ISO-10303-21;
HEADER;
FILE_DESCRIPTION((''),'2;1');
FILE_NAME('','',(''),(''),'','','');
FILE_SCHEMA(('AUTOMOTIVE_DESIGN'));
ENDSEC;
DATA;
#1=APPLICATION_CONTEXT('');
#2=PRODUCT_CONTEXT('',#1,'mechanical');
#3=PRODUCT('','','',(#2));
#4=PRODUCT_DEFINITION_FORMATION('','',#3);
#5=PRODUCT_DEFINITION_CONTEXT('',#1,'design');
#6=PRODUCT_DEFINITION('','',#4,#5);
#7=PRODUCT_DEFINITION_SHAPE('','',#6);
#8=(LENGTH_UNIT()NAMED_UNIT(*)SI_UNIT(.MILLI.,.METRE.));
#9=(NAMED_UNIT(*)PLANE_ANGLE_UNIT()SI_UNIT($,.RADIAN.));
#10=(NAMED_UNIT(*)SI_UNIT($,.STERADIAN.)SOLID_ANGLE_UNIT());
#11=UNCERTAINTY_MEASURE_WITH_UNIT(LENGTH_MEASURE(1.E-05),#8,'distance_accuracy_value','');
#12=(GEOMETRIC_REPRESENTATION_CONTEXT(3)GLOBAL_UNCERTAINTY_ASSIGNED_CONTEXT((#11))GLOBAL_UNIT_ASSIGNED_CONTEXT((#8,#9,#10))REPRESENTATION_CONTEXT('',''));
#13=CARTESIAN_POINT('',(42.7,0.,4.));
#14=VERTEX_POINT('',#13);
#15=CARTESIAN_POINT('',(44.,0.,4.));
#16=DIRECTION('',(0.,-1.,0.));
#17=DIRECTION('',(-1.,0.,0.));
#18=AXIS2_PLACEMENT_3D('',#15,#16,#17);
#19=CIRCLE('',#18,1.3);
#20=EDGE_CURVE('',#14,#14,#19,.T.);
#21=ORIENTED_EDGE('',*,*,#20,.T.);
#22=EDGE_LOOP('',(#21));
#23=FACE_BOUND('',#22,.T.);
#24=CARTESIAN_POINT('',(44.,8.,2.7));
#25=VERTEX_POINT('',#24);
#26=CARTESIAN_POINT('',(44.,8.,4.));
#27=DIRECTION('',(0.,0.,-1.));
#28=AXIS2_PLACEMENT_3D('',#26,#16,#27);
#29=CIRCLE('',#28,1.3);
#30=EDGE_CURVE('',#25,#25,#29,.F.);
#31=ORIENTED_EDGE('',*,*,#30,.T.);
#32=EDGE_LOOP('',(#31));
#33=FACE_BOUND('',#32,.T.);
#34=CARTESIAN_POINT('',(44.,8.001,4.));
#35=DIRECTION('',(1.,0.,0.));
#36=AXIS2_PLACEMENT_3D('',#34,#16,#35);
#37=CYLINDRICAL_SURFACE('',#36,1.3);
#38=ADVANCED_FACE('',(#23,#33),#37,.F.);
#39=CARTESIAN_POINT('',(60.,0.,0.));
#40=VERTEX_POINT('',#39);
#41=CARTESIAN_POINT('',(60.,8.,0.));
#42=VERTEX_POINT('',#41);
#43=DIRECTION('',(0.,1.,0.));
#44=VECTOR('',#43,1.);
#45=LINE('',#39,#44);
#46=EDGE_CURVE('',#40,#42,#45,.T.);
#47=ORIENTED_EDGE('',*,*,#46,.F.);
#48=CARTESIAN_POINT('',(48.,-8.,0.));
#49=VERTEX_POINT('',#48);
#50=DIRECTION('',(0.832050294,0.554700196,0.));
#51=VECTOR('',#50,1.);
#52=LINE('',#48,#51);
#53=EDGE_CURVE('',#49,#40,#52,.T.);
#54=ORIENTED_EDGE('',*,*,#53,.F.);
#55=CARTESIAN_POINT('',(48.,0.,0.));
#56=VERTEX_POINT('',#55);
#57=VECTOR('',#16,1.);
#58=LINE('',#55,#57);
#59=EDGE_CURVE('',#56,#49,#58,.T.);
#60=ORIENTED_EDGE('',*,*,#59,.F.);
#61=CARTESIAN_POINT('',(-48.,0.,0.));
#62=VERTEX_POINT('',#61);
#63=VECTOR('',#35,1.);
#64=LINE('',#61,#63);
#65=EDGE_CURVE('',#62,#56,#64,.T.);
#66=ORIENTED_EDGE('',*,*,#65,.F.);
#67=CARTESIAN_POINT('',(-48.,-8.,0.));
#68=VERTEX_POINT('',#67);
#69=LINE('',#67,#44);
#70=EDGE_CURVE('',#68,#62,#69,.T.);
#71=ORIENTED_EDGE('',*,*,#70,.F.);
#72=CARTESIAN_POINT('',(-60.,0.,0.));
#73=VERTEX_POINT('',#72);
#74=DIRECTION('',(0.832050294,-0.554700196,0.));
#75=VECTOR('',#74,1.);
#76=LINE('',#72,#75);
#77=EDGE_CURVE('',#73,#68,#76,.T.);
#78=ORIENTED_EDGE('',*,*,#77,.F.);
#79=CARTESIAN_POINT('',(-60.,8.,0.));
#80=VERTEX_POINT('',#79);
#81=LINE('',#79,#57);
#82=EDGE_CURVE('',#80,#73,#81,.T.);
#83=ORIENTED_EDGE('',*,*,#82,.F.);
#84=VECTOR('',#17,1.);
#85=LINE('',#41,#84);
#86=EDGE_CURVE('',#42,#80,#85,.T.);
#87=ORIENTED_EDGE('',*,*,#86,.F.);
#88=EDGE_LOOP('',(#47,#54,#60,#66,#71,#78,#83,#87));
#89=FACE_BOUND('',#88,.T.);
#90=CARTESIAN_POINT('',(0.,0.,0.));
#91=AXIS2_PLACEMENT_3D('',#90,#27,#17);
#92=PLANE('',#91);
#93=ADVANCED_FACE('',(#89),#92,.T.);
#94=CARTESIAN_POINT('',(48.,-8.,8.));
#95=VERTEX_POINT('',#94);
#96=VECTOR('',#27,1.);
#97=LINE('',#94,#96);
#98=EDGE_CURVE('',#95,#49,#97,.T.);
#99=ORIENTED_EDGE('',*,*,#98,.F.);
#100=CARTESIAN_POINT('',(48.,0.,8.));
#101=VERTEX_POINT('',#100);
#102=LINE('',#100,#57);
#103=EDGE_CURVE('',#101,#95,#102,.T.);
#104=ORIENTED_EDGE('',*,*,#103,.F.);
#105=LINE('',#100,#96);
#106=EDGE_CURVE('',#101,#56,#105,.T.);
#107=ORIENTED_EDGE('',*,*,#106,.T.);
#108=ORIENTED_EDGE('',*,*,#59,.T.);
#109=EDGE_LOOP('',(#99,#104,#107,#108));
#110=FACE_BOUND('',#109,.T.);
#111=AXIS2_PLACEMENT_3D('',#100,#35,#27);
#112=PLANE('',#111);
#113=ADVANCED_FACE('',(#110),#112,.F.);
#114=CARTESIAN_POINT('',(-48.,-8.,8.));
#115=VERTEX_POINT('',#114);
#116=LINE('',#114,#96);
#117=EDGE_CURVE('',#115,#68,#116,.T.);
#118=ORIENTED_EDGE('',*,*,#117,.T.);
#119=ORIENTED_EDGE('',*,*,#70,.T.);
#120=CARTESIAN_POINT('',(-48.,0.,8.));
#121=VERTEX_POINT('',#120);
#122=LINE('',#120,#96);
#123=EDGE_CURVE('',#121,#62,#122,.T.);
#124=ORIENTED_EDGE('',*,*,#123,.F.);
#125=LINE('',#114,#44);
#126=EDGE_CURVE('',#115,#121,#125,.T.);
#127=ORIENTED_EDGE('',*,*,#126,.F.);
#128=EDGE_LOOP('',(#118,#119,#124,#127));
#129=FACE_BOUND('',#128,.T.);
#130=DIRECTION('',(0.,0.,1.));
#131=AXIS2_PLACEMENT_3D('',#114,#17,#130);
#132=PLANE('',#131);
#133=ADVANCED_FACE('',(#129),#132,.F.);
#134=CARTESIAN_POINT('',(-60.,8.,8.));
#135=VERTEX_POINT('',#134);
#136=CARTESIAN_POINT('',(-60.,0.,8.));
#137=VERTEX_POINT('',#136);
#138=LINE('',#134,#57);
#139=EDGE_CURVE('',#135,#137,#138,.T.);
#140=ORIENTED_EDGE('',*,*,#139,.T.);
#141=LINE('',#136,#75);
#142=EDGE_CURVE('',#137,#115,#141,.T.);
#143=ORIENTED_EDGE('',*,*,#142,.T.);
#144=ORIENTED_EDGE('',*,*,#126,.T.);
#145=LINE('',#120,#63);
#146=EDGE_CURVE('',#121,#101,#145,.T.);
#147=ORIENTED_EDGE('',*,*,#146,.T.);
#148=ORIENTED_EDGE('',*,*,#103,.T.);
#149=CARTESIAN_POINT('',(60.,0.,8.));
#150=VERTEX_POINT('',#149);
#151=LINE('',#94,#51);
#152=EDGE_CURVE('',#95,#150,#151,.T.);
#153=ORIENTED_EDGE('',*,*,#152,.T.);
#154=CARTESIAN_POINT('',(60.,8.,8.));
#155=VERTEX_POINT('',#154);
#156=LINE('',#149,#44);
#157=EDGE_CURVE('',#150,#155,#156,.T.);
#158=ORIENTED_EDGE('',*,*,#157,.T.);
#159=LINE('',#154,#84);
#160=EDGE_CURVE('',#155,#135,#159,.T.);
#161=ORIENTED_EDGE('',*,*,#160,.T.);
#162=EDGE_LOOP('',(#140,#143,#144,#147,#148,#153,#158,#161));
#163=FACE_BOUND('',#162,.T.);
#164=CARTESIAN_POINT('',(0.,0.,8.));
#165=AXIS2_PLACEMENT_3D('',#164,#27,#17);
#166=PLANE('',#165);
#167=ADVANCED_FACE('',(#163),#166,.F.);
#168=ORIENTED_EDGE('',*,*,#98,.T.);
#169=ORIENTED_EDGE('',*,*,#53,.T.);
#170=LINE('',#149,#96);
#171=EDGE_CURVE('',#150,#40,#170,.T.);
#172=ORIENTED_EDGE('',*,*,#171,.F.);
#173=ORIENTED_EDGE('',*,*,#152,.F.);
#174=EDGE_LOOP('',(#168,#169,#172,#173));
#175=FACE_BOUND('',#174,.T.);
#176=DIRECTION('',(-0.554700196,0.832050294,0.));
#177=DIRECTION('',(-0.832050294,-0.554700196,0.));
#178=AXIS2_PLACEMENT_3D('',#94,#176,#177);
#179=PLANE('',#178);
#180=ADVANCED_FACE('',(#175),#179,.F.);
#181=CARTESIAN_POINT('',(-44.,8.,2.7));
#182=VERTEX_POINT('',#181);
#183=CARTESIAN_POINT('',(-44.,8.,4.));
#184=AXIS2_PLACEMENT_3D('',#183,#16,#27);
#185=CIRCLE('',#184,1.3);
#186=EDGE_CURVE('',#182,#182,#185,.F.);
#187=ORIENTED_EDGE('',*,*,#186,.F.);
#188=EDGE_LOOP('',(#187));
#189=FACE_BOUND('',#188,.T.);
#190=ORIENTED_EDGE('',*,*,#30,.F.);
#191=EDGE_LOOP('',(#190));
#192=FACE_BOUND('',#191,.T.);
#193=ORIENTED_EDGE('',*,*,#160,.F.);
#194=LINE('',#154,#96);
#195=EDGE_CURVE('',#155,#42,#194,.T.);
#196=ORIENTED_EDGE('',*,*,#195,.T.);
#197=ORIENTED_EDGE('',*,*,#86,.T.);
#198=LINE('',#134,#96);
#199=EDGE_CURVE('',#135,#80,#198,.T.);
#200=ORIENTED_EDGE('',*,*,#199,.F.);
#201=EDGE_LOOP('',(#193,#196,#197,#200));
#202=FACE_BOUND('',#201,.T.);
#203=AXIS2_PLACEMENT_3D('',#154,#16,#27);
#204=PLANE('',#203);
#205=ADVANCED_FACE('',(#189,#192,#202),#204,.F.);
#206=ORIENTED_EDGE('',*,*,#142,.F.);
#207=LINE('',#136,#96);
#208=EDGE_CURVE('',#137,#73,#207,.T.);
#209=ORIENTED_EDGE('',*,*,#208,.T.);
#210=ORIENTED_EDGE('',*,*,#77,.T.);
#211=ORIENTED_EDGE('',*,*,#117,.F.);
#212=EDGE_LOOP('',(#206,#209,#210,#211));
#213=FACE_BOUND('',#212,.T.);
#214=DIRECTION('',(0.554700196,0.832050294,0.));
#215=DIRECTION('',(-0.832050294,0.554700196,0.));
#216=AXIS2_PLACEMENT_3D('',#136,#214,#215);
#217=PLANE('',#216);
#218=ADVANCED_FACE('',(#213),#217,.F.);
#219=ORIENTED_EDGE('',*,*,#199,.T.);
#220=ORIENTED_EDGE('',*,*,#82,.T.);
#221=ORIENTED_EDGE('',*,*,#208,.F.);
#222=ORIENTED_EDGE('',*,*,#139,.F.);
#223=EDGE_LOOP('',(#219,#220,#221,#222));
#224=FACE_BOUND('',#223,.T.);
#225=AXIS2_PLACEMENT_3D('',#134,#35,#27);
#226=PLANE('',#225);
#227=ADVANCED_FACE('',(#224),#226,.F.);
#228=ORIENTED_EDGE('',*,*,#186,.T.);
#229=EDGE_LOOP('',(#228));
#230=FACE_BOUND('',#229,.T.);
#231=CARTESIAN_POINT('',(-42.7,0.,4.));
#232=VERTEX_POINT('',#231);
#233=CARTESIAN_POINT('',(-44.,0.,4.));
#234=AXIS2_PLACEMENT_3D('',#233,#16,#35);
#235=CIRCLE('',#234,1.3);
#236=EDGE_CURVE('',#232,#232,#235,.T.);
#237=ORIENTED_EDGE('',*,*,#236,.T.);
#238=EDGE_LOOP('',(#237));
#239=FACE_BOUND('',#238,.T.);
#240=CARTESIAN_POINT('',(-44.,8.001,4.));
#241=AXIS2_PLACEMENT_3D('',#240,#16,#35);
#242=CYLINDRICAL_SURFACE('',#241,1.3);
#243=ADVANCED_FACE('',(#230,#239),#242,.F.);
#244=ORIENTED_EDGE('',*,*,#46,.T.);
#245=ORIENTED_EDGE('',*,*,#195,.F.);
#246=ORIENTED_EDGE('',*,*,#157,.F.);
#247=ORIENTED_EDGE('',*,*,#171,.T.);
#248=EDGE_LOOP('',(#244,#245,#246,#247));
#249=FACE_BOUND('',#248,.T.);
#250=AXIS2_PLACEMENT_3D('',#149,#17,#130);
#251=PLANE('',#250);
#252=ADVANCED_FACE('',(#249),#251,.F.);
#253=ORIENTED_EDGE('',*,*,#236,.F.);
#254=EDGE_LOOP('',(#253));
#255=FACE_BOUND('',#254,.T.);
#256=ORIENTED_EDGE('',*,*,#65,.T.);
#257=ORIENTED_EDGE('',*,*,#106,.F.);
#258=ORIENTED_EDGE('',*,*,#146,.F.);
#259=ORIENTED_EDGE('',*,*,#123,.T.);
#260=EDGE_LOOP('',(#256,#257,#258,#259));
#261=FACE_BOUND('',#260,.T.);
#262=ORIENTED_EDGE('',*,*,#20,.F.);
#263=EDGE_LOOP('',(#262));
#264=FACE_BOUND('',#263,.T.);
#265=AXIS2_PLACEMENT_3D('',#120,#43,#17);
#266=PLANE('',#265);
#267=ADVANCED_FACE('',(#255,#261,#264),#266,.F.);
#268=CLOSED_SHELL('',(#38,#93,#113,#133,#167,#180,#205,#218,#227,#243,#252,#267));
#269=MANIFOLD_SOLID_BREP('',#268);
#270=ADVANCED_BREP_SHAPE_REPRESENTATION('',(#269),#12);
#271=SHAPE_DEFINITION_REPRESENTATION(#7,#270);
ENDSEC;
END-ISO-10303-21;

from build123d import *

# Parameters (mm, degrees)
BOSS_EXTRUDE1_DEPTH = 8
CUT_EXTRUDE1_REACH  = 63.057
SKETCH2_R           = 1.3


with BuildPart() as part:
    # Sketch1 → Boss-Extrude1 (new body)
    with BuildSketch(Plane(origin=(0, 0, 0), x_dir=(0, 1, 0), z_dir=(0, 0, 1))):
        Polygon((0, 48), (0, -48), (-8, -48), (0, -60), (8, -60), (8, 60), (0, 60), (-8, 48), align=None)
    extrude(amount=BOSS_EXTRUDE1_DEPTH)

    # Sketch2 → Cut-Extrude1 (cut, up to next)
    with BuildSketch(Plane.XZ, mode=Mode.PRIVATE) as cut_extrude1_sk1:
        with Locations((-44, 4)):
            Circle(SKETCH2_R)
    cut_extrude1_tool1 = extrude(cut_extrude1_sk1.sketch, amount=-CUT_EXTRUDE1_REACH, mode=Mode.PRIVATE) & part.part
    # Sketch2 → Cut-Extrude1 (cut, up to next)
    with BuildSketch(Plane.XZ, mode=Mode.PRIVATE) as cut_extrude1_sk2:
        with Locations(Location((44, 4, 0), (0, 0, 270))):
            Circle(SKETCH2_R)
    cut_extrude1_tool2 = extrude(cut_extrude1_sk2.sketch, amount=-CUT_EXTRUDE1_REACH, mode=Mode.PRIVATE) & part.part
    add(cut_extrude1_tool1.solids().sort_by_distance((-44, 0, 4))[0], mode=Mode.SUBTRACT)
    add(cut_extrude1_tool2.solids().sort_by_distance((44, 0, 4))[0], mode=Mode.SUBTRACT)


solid = part.part
